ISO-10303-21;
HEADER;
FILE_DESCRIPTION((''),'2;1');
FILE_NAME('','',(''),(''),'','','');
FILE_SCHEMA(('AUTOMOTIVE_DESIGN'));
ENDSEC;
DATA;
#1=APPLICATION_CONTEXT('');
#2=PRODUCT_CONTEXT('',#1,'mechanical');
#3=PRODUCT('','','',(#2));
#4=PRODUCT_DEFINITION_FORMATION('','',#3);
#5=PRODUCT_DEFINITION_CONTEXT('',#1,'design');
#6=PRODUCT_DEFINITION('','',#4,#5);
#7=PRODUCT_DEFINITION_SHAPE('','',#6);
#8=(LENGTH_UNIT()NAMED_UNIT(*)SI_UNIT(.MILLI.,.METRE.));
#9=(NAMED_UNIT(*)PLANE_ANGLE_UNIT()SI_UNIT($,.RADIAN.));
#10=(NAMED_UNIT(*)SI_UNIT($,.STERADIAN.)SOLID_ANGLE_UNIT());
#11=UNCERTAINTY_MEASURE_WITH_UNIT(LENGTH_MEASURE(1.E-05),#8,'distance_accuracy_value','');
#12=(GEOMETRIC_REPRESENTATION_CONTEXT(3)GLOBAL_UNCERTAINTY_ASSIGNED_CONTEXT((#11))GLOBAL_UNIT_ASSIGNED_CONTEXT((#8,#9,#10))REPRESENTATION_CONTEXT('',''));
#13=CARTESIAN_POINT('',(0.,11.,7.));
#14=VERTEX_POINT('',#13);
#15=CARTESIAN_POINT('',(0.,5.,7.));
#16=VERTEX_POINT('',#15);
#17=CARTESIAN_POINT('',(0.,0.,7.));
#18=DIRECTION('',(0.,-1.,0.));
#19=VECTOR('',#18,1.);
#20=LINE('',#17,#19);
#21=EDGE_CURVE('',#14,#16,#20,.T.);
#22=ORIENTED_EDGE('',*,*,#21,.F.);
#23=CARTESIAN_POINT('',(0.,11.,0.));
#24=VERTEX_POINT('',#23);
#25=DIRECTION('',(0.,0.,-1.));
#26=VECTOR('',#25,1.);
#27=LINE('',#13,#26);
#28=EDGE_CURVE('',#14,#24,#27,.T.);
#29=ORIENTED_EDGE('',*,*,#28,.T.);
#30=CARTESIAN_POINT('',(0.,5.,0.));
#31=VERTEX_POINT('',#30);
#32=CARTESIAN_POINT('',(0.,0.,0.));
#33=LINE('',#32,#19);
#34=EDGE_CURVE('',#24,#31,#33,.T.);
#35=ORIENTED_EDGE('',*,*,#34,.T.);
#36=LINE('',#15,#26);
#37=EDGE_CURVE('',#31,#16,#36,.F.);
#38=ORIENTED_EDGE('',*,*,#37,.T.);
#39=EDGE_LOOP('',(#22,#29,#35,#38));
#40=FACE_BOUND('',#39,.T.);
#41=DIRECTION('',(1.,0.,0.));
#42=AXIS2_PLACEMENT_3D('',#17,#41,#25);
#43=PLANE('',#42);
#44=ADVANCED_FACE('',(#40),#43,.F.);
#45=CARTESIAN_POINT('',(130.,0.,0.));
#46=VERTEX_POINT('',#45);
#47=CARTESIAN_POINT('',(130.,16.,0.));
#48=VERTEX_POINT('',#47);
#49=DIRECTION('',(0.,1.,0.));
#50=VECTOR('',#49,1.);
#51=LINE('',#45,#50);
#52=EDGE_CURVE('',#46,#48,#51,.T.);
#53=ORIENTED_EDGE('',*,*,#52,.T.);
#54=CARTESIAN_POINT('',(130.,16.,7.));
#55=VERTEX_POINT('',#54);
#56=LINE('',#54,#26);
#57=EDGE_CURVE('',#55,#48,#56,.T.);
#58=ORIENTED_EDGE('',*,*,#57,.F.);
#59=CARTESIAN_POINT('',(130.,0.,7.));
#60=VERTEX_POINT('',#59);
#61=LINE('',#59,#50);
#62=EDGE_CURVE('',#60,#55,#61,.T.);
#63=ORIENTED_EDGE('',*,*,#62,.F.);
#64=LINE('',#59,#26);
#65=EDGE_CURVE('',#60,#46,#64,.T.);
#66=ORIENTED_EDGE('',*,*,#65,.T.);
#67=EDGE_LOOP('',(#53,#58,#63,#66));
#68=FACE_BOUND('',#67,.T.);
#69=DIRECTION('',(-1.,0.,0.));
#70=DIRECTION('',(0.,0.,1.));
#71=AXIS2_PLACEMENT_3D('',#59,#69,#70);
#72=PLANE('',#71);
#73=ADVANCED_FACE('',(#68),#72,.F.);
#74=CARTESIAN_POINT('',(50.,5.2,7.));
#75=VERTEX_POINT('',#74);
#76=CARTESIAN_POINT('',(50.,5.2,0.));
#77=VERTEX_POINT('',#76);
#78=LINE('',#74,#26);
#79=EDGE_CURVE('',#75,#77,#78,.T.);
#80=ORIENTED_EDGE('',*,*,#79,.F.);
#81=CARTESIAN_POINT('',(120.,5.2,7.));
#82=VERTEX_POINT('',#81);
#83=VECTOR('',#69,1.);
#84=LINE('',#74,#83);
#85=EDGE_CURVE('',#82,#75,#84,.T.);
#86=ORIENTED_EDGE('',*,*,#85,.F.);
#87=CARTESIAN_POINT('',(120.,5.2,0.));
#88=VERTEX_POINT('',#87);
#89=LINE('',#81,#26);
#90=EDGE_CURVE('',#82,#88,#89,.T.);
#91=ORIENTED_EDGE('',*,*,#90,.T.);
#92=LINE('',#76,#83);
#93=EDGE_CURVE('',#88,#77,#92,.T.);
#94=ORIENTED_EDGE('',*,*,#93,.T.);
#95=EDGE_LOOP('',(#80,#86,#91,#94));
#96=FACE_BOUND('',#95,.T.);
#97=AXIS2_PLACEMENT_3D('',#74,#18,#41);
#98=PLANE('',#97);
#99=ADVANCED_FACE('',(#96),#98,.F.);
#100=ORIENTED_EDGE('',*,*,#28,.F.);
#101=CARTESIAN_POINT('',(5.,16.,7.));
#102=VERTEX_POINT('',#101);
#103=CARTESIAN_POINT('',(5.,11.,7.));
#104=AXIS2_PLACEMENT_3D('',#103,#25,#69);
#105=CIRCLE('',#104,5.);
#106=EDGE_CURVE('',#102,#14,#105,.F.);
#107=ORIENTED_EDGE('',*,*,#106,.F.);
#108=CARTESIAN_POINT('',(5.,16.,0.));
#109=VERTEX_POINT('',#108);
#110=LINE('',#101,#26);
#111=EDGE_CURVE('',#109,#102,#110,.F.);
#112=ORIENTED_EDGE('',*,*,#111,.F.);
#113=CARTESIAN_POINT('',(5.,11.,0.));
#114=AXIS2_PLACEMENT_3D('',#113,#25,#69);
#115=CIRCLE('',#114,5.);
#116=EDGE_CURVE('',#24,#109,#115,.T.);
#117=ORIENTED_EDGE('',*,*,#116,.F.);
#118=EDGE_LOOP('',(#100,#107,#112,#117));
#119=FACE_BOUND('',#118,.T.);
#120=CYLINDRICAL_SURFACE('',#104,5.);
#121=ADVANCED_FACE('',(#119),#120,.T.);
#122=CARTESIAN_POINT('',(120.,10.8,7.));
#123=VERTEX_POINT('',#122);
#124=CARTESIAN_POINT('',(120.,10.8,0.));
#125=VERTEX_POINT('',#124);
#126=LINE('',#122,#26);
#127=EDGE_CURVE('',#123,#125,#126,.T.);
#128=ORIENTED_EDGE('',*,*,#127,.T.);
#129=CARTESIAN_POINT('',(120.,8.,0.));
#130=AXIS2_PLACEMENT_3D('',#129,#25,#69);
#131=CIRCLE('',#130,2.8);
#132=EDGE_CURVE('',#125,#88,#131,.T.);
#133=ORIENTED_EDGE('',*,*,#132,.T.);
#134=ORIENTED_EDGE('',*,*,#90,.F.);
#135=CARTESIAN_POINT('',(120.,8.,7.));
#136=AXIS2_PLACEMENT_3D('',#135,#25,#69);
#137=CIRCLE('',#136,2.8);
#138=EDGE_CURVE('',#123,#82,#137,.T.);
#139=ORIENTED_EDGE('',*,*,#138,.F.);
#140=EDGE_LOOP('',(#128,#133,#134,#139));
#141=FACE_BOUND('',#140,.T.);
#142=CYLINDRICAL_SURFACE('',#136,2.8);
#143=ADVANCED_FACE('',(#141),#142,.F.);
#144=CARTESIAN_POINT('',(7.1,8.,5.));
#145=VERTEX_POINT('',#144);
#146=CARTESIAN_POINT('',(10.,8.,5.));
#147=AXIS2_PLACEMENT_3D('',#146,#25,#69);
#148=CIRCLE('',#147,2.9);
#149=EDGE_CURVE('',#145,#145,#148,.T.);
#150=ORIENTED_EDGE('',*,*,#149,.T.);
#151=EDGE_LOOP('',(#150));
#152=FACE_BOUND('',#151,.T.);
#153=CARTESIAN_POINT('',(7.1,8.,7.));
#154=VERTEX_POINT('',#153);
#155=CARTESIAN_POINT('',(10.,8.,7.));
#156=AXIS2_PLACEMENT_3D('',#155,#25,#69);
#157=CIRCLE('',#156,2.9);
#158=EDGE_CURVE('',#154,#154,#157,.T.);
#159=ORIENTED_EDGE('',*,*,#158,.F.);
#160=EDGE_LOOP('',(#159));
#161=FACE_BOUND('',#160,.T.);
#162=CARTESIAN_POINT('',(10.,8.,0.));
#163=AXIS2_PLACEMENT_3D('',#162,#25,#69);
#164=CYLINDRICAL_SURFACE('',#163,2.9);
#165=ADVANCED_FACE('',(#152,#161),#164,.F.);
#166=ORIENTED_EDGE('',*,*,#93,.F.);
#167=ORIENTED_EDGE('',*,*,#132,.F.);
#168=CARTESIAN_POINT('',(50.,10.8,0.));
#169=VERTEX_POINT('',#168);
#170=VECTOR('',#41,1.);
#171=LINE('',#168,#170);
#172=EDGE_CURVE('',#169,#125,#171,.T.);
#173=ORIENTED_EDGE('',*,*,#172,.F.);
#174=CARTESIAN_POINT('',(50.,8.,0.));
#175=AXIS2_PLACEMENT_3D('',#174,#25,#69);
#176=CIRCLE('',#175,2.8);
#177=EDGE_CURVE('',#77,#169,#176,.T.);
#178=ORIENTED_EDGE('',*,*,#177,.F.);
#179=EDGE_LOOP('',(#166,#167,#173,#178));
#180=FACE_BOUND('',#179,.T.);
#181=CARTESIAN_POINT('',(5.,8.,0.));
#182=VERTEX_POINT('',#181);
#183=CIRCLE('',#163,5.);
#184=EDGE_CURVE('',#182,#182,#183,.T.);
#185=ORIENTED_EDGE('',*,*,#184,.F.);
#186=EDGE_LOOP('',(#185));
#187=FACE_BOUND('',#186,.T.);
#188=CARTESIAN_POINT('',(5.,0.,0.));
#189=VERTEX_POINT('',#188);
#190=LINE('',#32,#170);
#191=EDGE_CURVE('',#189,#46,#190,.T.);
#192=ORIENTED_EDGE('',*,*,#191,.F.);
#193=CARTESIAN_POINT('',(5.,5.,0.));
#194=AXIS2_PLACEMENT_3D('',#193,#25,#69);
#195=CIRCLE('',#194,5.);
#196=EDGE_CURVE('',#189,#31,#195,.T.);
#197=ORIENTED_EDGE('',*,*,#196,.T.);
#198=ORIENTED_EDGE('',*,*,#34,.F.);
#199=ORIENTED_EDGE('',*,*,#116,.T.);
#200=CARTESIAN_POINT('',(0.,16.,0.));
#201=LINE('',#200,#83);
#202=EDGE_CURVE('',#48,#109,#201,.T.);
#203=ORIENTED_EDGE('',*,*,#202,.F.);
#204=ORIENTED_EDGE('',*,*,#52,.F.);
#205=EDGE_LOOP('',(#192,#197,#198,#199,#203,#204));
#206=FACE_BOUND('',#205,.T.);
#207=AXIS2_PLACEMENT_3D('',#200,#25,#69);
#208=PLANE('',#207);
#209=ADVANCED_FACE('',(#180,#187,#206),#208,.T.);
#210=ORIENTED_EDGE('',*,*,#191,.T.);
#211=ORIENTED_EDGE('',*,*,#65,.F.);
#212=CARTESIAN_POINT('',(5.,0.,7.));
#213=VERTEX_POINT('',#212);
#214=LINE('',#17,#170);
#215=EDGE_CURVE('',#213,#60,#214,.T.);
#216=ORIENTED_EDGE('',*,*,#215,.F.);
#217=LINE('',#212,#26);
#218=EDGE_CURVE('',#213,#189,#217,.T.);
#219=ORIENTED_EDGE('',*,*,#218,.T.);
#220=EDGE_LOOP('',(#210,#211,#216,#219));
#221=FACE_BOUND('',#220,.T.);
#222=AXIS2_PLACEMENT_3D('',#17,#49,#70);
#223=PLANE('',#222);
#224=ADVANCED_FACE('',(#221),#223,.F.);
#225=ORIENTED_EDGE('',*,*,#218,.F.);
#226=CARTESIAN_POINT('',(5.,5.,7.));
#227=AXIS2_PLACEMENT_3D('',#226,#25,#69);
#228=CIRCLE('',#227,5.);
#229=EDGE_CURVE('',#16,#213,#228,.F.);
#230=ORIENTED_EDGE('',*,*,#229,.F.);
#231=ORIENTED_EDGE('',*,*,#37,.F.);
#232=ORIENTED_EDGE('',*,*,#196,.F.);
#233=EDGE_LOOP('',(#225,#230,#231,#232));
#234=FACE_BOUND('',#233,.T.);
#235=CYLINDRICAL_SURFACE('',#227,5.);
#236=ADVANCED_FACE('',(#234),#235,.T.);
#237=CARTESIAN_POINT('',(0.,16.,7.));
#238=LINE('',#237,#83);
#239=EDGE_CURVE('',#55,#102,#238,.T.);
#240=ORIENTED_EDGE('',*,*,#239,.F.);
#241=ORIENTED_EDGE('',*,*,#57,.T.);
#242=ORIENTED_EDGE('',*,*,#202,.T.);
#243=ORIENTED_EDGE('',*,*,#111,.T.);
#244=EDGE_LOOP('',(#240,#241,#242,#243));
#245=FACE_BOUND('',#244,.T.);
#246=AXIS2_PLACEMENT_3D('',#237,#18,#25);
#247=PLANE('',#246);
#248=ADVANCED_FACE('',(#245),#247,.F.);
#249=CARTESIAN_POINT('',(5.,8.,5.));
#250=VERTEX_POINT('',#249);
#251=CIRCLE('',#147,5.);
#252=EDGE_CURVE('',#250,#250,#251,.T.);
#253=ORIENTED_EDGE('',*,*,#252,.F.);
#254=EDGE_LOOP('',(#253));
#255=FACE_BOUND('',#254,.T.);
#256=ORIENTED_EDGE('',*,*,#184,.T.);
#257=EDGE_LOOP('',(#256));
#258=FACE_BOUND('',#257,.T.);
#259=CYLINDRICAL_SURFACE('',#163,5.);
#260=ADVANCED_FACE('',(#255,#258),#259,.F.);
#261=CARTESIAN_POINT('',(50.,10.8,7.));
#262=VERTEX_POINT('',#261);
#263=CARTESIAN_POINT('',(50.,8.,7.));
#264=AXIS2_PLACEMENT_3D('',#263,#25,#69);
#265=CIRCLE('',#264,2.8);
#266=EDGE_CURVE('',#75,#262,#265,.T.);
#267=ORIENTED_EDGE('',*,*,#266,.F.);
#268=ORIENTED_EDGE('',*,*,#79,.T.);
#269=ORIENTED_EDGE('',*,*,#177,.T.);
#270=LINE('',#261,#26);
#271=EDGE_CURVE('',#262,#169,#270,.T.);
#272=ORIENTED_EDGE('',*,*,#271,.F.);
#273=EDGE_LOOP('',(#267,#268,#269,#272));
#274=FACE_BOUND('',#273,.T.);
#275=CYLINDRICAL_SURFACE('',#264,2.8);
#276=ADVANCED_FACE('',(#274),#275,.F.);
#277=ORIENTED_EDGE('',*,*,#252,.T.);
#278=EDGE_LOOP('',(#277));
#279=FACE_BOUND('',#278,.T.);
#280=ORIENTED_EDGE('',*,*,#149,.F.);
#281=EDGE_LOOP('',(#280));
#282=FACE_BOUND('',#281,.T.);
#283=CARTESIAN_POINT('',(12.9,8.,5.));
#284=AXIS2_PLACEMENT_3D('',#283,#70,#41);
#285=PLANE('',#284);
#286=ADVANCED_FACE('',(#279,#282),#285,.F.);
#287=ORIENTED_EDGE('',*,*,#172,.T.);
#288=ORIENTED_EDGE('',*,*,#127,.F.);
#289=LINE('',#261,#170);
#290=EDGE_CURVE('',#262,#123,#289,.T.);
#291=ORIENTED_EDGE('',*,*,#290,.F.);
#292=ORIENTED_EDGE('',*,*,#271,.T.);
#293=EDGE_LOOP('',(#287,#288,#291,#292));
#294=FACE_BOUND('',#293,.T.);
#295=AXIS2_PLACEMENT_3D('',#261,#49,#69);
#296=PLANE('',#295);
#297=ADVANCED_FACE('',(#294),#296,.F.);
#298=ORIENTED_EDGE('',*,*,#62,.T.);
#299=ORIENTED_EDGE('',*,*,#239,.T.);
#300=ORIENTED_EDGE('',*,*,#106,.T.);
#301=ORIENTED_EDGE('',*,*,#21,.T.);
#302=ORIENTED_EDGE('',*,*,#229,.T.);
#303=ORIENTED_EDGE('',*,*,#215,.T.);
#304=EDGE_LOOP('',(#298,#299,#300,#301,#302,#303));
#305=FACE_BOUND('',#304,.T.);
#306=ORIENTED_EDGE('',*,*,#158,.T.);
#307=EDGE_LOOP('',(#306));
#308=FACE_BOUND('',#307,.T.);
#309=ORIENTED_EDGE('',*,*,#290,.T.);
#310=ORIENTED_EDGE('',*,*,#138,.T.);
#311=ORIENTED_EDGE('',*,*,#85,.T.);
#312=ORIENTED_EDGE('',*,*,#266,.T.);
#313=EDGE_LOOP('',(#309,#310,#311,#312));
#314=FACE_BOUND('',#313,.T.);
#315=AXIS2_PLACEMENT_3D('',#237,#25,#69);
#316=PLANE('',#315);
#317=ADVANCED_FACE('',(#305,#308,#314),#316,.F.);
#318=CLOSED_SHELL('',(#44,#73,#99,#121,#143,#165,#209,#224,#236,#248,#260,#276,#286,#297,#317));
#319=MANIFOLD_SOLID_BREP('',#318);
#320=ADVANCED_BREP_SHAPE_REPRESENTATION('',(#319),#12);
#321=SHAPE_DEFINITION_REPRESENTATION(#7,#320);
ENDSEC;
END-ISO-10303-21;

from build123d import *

# Parameters (mm, degrees)
SKETCH_1_W                   = 130
SKETCH_1_H                   = 16
EXTRUDE_1_DEPTH              = 7
HOLE_WIZARD_M5_1_D           = 5.8
HOLE_WIZARD_M5_1_CBORE_D     = 10
HOLE_WIZARD_M5_1_CBORE_DEPTH = 5
FILLET_1_R                   = 5
CUT_EXTRUDE_1_DEPTH          = 132.167831422


with BuildPart() as part:
    # 草图1 → 凸台-拉伸1 (new body)
    with BuildSketch(Plane.XY):
        with Locations((65, 8)):
            Rectangle(SKETCH_1_W, SKETCH_1_H)
    extrude(amount=EXTRUDE_1_DEPTH)

    # M5 六角凹头螺钉的柱形沉头孔1 (through all)
    with Locations(Plane(origin=(0, 0, 0), x_dir=(-1, 0, 0), z_dir=(0, 0, -1))):
        with Locations((-10, 8)):
            CounterBoreHole(HOLE_WIZARD_M5_1_D / 2, HOLE_WIZARD_M5_1_CBORE_D / 2, HOLE_WIZARD_M5_1_CBORE_DEPTH)

    # 圆角1
    fillet_1_edges = [part.edges().sort_by_distance(p)[0] for p in [
        (0, 16, 3.5),
        (0, 0, 3.5),
    ]]
    fillet(fillet_1_edges, radius=FILLET_1_R)

    # 草图4 → 切除-拉伸1 (cut, through all)
    with BuildSketch(Plane(origin=(0, 0, 0), x_dir=(-1, 0, 0), z_dir=(0, 0, -1))):
        with BuildLine():
            Line((-50, 5.2), (-120, 5.2))
            ThreePointArc((-120, 5.2), (-122.8, 8), (-120, 10.8))
            Line((-120, 10.8), (-50, 10.8))
            ThreePointArc((-50, 10.8), (-47.2, 8), (-50, 5.2))
        make_face()
    extrude(amount=-CUT_EXTRUDE_1_DEPTH, mode=Mode.SUBTRACT)


solid = part.part
